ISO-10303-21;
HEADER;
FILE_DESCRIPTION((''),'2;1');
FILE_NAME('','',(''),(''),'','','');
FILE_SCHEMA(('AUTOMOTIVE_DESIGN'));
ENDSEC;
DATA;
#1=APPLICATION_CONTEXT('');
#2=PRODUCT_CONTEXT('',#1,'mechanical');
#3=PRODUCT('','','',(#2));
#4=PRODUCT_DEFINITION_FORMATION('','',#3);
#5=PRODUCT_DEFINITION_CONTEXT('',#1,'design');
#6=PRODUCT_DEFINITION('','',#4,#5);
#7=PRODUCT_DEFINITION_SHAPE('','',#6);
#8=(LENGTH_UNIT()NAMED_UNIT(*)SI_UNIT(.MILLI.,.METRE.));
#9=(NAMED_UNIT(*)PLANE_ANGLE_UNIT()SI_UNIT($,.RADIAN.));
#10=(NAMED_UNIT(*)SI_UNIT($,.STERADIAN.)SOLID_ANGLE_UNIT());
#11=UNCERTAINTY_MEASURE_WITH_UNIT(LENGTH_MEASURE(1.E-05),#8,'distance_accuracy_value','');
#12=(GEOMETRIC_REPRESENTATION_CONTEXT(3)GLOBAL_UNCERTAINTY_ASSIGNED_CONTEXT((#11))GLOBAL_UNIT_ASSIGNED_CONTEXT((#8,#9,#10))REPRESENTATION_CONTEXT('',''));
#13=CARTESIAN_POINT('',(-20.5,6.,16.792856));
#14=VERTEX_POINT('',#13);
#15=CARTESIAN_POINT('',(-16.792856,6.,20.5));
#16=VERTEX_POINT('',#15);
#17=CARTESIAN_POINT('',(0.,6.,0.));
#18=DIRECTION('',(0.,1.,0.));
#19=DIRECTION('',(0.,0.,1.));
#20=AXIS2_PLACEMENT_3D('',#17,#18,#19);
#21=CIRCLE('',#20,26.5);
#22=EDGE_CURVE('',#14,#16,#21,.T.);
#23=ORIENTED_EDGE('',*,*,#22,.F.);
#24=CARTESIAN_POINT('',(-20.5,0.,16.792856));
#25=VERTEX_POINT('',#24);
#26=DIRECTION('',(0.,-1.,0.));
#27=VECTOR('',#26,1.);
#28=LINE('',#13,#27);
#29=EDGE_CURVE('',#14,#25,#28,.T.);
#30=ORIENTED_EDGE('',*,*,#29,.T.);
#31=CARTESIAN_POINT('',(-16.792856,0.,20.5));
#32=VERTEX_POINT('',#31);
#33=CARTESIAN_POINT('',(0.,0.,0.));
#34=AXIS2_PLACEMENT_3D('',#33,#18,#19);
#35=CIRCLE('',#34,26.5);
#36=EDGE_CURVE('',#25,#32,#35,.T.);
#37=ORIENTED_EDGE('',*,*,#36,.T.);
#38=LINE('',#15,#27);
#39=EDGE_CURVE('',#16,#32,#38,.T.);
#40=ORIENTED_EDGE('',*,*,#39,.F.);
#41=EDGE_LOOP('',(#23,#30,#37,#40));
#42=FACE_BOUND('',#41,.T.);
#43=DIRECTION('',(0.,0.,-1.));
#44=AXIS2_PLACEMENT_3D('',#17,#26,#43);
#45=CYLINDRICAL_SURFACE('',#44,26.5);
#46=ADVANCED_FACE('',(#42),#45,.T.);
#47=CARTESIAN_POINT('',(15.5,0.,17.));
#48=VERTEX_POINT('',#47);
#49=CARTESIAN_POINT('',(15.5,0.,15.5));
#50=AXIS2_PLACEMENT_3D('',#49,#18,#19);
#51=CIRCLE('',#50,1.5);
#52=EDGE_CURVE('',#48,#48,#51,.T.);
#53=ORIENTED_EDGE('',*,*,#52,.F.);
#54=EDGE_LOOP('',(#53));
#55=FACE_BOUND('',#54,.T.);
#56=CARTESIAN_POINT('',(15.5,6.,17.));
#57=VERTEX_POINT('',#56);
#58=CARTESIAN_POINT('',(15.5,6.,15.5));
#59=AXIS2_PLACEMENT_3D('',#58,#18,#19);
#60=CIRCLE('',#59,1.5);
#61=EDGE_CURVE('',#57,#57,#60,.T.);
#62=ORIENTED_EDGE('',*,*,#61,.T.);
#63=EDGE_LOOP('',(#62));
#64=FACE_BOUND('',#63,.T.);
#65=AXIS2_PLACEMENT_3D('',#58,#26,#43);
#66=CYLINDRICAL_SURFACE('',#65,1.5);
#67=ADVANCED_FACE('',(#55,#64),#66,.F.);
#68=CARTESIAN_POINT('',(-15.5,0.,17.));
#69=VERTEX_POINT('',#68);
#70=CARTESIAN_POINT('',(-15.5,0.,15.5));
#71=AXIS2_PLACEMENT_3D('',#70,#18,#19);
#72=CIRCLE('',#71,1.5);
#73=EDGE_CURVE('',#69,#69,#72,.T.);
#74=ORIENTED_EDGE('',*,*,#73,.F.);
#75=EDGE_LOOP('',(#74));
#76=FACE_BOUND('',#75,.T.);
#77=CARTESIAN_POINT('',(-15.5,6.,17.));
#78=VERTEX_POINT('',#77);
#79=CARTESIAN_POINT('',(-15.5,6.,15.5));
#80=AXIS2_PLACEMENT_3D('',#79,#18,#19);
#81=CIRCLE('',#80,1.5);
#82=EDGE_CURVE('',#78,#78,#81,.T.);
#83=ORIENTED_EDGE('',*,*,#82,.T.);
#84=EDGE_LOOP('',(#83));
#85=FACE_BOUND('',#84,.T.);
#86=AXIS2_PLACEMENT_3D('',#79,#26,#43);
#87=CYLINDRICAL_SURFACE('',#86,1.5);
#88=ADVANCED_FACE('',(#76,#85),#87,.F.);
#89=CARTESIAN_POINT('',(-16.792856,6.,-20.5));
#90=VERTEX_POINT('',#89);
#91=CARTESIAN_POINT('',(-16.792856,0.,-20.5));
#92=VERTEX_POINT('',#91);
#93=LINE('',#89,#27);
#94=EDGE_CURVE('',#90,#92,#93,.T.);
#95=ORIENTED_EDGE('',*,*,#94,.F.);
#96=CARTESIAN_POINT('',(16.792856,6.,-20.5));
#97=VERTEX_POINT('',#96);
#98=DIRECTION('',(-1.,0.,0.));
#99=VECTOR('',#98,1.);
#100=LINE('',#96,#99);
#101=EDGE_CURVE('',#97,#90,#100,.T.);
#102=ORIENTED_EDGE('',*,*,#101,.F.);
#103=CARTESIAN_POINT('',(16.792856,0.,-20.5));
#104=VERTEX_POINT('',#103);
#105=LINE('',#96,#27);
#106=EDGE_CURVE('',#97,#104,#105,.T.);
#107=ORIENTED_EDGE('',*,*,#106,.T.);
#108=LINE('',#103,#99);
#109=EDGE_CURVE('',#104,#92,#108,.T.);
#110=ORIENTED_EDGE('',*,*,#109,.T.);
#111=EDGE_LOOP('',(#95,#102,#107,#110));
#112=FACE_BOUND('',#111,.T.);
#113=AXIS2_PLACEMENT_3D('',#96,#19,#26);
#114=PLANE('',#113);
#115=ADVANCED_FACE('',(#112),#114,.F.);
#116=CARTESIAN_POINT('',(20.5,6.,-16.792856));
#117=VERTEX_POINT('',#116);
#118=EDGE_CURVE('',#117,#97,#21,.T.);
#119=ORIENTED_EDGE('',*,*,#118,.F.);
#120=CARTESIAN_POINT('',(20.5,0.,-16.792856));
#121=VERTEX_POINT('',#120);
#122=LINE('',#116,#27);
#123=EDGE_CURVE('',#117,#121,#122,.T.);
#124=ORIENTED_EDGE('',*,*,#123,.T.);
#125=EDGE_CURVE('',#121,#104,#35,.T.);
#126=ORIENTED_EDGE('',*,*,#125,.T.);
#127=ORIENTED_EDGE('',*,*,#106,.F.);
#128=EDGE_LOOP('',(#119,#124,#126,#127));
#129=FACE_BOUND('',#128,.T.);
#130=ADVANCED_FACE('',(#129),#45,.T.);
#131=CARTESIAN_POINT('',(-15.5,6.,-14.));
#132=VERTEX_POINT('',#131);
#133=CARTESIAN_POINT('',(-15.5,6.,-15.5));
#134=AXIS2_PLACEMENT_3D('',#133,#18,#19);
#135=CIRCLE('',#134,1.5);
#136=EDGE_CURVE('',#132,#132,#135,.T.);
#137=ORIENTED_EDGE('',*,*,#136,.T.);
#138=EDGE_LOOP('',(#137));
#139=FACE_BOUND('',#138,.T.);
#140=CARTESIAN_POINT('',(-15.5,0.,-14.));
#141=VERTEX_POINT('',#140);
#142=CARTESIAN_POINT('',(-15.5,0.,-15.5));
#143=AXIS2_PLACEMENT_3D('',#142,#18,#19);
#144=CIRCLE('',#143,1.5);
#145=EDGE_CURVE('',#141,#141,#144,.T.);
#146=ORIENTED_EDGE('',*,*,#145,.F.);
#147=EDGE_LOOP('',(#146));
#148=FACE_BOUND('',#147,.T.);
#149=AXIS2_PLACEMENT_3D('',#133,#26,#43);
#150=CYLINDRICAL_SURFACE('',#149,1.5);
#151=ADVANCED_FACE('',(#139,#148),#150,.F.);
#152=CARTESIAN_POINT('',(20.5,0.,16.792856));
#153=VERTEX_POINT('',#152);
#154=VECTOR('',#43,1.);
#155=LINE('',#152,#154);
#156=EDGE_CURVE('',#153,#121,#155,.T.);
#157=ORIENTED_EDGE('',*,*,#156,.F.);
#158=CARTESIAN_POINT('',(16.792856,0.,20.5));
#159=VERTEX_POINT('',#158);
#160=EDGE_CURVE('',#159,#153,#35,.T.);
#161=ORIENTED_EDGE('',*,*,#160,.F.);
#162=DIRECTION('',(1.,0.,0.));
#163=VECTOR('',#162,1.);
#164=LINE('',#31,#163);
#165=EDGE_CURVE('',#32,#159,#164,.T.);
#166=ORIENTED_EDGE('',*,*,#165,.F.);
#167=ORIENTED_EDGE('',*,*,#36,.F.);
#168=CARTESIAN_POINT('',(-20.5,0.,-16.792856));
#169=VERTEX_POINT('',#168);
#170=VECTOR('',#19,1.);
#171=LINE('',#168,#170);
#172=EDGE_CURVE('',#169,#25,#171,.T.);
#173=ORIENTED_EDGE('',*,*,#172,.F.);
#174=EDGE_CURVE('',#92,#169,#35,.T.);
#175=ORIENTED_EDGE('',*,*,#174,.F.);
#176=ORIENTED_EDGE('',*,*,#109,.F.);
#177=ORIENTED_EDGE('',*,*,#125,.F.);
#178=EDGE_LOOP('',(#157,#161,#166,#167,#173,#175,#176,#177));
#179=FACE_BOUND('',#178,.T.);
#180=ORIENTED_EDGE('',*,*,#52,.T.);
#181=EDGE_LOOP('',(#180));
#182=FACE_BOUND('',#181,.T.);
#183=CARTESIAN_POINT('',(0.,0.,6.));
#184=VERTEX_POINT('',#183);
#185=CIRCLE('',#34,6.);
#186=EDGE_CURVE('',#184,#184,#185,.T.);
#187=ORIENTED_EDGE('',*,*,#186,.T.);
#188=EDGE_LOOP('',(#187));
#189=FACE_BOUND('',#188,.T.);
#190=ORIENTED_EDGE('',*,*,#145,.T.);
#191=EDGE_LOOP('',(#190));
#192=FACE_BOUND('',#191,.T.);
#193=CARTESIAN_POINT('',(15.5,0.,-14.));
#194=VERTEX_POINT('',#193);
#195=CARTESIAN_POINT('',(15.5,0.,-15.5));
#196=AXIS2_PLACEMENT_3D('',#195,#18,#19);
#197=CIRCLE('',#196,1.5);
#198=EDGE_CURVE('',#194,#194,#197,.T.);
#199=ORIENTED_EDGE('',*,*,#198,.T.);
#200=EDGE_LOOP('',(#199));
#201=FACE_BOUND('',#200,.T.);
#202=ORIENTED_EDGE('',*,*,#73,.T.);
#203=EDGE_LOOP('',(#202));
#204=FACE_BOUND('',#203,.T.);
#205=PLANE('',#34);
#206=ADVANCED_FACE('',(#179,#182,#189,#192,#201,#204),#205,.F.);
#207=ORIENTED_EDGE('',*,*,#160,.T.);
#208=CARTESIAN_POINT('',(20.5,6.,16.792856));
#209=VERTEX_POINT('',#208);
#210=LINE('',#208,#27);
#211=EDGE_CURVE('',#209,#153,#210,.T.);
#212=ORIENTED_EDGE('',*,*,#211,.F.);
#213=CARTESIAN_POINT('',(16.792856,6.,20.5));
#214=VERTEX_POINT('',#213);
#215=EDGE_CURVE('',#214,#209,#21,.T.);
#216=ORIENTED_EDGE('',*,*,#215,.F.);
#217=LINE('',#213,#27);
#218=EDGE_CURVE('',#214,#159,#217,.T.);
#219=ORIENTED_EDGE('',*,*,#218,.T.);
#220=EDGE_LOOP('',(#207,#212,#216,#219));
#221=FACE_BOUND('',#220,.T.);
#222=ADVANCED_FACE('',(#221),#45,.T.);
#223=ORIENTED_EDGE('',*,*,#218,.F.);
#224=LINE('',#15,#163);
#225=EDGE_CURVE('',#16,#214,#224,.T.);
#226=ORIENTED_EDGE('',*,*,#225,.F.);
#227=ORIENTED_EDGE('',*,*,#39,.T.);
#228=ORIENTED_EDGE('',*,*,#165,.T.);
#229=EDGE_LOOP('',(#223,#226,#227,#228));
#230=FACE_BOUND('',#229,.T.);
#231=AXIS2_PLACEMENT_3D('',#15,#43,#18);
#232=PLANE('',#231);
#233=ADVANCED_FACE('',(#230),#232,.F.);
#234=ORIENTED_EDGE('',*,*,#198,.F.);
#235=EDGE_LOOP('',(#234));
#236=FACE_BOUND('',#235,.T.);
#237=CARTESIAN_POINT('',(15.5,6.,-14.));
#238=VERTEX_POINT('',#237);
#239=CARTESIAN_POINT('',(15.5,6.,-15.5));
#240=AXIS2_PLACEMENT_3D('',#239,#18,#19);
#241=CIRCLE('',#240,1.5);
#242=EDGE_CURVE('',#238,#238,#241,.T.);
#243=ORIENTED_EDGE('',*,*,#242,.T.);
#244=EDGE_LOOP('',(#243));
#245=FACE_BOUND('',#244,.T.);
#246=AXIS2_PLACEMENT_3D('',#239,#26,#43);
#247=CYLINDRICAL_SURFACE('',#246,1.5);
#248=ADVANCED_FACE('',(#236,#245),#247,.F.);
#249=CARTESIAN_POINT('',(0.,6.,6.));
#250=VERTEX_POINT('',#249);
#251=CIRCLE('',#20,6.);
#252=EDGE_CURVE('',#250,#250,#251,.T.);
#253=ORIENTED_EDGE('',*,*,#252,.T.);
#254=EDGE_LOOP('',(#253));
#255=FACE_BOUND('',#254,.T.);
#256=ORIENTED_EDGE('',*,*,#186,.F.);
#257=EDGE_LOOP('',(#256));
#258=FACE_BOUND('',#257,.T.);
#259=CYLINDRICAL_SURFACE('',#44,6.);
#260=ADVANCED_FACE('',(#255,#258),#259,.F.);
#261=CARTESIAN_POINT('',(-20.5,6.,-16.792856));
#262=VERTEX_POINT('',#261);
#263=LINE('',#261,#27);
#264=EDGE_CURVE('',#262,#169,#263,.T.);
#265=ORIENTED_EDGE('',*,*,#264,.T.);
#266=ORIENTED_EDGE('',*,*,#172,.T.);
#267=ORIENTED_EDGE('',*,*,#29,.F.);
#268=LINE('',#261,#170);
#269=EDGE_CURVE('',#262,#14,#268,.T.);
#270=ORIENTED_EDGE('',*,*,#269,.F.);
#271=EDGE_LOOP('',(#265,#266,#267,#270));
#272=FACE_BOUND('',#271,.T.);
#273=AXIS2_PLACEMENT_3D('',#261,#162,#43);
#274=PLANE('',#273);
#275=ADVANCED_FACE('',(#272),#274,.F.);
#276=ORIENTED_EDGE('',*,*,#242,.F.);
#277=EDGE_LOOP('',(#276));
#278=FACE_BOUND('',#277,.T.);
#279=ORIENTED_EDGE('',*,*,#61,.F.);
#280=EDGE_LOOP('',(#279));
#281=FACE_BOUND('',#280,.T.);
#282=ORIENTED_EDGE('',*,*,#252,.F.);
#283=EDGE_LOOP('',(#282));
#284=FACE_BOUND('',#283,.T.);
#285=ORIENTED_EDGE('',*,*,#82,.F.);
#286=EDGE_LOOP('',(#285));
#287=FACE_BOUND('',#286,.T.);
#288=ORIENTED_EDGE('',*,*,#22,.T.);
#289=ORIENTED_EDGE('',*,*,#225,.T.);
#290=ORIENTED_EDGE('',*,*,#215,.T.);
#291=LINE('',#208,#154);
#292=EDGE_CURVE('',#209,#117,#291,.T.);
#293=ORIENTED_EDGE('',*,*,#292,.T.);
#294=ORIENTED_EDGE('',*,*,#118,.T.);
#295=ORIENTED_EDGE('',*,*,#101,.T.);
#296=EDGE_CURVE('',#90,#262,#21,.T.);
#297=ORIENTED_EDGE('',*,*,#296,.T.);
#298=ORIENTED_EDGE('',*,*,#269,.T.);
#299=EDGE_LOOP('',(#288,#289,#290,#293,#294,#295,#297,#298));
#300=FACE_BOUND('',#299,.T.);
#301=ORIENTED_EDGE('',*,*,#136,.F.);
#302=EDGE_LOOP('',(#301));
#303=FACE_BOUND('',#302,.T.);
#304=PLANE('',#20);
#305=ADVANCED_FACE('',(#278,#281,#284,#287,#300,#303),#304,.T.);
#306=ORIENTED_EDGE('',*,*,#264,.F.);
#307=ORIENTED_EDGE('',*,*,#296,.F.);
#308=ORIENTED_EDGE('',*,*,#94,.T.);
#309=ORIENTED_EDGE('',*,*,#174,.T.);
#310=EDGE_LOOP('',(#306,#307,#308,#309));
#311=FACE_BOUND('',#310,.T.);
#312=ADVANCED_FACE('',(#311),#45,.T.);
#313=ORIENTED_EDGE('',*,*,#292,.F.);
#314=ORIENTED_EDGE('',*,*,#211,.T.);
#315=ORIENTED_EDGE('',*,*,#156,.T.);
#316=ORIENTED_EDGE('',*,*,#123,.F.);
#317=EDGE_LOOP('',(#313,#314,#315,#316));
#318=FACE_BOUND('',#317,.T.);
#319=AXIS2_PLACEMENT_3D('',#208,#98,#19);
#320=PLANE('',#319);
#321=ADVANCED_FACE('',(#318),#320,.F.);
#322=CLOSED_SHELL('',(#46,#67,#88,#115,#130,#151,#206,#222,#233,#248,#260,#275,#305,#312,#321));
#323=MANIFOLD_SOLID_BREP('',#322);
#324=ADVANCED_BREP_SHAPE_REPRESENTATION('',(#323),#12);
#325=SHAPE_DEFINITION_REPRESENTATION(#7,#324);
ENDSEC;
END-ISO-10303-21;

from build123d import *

# Parameters (mm, degrees)
PLATE_BASE_R   = 6
PLATE_BASE_R_2 = 1.5
HOUSING_DEPTH  = 6


with BuildPart() as part:
    # Plate Base → Housing (new body)
    with BuildSketch(Plane(origin=(0, 0, 0), x_dir=(1, 0, 0), z_dir=(0, 1, 0))):
        with BuildLine():
            Line((16.792855624, 20.5), (-16.792855624, 20.5))
            ThreePointArc((-16.792855624, 20.5), (-18.738329701, 18.738329701), (-20.5, 16.792855624))
            Line((-20.5, 16.792855624), (-20.5, -16.792855624))
            ThreePointArc((-20.5, -16.792855624), (-18.738329701, -18.738329701), (-16.792855624, -20.5))
            Line((-16.792855624, -20.5), (16.792855624, -20.5))
            ThreePointArc((16.792855624, -20.5), (18.738329701, -18.738329701), (20.5, -16.792855624))
            Line((20.5, -16.792855624), (20.5, 16.792855624))
            ThreePointArc((20.5, 16.792855624), (18.738329701, 18.738329701), (16.792855624, 20.5))
        make_face()
        with Locations(Location((0, 0, 0), (0, 0, 270))):
            Circle(PLATE_BASE_R, mode=Mode.SUBTRACT)
        with Locations(Location((15.5, 15.5, 0), (0, 0, 270))):
            Circle(PLATE_BASE_R_2, mode=Mode.SUBTRACT)
        with Locations(Location((-15.5, 15.5, 0), (0, 0, 270))):
            Circle(PLATE_BASE_R_2, mode=Mode.SUBTRACT)
        with Locations(Location((-15.5, -15.5, 0), (0, 0, 270))):
            Circle(PLATE_BASE_R_2, mode=Mode.SUBTRACT)
        with Locations(Location((15.5, -15.5, 0), (0, 0, 270))):
            Circle(PLATE_BASE_R_2, mode=Mode.SUBTRACT)
    extrude(amount=HOUSING_DEPTH)


solid = part.part
